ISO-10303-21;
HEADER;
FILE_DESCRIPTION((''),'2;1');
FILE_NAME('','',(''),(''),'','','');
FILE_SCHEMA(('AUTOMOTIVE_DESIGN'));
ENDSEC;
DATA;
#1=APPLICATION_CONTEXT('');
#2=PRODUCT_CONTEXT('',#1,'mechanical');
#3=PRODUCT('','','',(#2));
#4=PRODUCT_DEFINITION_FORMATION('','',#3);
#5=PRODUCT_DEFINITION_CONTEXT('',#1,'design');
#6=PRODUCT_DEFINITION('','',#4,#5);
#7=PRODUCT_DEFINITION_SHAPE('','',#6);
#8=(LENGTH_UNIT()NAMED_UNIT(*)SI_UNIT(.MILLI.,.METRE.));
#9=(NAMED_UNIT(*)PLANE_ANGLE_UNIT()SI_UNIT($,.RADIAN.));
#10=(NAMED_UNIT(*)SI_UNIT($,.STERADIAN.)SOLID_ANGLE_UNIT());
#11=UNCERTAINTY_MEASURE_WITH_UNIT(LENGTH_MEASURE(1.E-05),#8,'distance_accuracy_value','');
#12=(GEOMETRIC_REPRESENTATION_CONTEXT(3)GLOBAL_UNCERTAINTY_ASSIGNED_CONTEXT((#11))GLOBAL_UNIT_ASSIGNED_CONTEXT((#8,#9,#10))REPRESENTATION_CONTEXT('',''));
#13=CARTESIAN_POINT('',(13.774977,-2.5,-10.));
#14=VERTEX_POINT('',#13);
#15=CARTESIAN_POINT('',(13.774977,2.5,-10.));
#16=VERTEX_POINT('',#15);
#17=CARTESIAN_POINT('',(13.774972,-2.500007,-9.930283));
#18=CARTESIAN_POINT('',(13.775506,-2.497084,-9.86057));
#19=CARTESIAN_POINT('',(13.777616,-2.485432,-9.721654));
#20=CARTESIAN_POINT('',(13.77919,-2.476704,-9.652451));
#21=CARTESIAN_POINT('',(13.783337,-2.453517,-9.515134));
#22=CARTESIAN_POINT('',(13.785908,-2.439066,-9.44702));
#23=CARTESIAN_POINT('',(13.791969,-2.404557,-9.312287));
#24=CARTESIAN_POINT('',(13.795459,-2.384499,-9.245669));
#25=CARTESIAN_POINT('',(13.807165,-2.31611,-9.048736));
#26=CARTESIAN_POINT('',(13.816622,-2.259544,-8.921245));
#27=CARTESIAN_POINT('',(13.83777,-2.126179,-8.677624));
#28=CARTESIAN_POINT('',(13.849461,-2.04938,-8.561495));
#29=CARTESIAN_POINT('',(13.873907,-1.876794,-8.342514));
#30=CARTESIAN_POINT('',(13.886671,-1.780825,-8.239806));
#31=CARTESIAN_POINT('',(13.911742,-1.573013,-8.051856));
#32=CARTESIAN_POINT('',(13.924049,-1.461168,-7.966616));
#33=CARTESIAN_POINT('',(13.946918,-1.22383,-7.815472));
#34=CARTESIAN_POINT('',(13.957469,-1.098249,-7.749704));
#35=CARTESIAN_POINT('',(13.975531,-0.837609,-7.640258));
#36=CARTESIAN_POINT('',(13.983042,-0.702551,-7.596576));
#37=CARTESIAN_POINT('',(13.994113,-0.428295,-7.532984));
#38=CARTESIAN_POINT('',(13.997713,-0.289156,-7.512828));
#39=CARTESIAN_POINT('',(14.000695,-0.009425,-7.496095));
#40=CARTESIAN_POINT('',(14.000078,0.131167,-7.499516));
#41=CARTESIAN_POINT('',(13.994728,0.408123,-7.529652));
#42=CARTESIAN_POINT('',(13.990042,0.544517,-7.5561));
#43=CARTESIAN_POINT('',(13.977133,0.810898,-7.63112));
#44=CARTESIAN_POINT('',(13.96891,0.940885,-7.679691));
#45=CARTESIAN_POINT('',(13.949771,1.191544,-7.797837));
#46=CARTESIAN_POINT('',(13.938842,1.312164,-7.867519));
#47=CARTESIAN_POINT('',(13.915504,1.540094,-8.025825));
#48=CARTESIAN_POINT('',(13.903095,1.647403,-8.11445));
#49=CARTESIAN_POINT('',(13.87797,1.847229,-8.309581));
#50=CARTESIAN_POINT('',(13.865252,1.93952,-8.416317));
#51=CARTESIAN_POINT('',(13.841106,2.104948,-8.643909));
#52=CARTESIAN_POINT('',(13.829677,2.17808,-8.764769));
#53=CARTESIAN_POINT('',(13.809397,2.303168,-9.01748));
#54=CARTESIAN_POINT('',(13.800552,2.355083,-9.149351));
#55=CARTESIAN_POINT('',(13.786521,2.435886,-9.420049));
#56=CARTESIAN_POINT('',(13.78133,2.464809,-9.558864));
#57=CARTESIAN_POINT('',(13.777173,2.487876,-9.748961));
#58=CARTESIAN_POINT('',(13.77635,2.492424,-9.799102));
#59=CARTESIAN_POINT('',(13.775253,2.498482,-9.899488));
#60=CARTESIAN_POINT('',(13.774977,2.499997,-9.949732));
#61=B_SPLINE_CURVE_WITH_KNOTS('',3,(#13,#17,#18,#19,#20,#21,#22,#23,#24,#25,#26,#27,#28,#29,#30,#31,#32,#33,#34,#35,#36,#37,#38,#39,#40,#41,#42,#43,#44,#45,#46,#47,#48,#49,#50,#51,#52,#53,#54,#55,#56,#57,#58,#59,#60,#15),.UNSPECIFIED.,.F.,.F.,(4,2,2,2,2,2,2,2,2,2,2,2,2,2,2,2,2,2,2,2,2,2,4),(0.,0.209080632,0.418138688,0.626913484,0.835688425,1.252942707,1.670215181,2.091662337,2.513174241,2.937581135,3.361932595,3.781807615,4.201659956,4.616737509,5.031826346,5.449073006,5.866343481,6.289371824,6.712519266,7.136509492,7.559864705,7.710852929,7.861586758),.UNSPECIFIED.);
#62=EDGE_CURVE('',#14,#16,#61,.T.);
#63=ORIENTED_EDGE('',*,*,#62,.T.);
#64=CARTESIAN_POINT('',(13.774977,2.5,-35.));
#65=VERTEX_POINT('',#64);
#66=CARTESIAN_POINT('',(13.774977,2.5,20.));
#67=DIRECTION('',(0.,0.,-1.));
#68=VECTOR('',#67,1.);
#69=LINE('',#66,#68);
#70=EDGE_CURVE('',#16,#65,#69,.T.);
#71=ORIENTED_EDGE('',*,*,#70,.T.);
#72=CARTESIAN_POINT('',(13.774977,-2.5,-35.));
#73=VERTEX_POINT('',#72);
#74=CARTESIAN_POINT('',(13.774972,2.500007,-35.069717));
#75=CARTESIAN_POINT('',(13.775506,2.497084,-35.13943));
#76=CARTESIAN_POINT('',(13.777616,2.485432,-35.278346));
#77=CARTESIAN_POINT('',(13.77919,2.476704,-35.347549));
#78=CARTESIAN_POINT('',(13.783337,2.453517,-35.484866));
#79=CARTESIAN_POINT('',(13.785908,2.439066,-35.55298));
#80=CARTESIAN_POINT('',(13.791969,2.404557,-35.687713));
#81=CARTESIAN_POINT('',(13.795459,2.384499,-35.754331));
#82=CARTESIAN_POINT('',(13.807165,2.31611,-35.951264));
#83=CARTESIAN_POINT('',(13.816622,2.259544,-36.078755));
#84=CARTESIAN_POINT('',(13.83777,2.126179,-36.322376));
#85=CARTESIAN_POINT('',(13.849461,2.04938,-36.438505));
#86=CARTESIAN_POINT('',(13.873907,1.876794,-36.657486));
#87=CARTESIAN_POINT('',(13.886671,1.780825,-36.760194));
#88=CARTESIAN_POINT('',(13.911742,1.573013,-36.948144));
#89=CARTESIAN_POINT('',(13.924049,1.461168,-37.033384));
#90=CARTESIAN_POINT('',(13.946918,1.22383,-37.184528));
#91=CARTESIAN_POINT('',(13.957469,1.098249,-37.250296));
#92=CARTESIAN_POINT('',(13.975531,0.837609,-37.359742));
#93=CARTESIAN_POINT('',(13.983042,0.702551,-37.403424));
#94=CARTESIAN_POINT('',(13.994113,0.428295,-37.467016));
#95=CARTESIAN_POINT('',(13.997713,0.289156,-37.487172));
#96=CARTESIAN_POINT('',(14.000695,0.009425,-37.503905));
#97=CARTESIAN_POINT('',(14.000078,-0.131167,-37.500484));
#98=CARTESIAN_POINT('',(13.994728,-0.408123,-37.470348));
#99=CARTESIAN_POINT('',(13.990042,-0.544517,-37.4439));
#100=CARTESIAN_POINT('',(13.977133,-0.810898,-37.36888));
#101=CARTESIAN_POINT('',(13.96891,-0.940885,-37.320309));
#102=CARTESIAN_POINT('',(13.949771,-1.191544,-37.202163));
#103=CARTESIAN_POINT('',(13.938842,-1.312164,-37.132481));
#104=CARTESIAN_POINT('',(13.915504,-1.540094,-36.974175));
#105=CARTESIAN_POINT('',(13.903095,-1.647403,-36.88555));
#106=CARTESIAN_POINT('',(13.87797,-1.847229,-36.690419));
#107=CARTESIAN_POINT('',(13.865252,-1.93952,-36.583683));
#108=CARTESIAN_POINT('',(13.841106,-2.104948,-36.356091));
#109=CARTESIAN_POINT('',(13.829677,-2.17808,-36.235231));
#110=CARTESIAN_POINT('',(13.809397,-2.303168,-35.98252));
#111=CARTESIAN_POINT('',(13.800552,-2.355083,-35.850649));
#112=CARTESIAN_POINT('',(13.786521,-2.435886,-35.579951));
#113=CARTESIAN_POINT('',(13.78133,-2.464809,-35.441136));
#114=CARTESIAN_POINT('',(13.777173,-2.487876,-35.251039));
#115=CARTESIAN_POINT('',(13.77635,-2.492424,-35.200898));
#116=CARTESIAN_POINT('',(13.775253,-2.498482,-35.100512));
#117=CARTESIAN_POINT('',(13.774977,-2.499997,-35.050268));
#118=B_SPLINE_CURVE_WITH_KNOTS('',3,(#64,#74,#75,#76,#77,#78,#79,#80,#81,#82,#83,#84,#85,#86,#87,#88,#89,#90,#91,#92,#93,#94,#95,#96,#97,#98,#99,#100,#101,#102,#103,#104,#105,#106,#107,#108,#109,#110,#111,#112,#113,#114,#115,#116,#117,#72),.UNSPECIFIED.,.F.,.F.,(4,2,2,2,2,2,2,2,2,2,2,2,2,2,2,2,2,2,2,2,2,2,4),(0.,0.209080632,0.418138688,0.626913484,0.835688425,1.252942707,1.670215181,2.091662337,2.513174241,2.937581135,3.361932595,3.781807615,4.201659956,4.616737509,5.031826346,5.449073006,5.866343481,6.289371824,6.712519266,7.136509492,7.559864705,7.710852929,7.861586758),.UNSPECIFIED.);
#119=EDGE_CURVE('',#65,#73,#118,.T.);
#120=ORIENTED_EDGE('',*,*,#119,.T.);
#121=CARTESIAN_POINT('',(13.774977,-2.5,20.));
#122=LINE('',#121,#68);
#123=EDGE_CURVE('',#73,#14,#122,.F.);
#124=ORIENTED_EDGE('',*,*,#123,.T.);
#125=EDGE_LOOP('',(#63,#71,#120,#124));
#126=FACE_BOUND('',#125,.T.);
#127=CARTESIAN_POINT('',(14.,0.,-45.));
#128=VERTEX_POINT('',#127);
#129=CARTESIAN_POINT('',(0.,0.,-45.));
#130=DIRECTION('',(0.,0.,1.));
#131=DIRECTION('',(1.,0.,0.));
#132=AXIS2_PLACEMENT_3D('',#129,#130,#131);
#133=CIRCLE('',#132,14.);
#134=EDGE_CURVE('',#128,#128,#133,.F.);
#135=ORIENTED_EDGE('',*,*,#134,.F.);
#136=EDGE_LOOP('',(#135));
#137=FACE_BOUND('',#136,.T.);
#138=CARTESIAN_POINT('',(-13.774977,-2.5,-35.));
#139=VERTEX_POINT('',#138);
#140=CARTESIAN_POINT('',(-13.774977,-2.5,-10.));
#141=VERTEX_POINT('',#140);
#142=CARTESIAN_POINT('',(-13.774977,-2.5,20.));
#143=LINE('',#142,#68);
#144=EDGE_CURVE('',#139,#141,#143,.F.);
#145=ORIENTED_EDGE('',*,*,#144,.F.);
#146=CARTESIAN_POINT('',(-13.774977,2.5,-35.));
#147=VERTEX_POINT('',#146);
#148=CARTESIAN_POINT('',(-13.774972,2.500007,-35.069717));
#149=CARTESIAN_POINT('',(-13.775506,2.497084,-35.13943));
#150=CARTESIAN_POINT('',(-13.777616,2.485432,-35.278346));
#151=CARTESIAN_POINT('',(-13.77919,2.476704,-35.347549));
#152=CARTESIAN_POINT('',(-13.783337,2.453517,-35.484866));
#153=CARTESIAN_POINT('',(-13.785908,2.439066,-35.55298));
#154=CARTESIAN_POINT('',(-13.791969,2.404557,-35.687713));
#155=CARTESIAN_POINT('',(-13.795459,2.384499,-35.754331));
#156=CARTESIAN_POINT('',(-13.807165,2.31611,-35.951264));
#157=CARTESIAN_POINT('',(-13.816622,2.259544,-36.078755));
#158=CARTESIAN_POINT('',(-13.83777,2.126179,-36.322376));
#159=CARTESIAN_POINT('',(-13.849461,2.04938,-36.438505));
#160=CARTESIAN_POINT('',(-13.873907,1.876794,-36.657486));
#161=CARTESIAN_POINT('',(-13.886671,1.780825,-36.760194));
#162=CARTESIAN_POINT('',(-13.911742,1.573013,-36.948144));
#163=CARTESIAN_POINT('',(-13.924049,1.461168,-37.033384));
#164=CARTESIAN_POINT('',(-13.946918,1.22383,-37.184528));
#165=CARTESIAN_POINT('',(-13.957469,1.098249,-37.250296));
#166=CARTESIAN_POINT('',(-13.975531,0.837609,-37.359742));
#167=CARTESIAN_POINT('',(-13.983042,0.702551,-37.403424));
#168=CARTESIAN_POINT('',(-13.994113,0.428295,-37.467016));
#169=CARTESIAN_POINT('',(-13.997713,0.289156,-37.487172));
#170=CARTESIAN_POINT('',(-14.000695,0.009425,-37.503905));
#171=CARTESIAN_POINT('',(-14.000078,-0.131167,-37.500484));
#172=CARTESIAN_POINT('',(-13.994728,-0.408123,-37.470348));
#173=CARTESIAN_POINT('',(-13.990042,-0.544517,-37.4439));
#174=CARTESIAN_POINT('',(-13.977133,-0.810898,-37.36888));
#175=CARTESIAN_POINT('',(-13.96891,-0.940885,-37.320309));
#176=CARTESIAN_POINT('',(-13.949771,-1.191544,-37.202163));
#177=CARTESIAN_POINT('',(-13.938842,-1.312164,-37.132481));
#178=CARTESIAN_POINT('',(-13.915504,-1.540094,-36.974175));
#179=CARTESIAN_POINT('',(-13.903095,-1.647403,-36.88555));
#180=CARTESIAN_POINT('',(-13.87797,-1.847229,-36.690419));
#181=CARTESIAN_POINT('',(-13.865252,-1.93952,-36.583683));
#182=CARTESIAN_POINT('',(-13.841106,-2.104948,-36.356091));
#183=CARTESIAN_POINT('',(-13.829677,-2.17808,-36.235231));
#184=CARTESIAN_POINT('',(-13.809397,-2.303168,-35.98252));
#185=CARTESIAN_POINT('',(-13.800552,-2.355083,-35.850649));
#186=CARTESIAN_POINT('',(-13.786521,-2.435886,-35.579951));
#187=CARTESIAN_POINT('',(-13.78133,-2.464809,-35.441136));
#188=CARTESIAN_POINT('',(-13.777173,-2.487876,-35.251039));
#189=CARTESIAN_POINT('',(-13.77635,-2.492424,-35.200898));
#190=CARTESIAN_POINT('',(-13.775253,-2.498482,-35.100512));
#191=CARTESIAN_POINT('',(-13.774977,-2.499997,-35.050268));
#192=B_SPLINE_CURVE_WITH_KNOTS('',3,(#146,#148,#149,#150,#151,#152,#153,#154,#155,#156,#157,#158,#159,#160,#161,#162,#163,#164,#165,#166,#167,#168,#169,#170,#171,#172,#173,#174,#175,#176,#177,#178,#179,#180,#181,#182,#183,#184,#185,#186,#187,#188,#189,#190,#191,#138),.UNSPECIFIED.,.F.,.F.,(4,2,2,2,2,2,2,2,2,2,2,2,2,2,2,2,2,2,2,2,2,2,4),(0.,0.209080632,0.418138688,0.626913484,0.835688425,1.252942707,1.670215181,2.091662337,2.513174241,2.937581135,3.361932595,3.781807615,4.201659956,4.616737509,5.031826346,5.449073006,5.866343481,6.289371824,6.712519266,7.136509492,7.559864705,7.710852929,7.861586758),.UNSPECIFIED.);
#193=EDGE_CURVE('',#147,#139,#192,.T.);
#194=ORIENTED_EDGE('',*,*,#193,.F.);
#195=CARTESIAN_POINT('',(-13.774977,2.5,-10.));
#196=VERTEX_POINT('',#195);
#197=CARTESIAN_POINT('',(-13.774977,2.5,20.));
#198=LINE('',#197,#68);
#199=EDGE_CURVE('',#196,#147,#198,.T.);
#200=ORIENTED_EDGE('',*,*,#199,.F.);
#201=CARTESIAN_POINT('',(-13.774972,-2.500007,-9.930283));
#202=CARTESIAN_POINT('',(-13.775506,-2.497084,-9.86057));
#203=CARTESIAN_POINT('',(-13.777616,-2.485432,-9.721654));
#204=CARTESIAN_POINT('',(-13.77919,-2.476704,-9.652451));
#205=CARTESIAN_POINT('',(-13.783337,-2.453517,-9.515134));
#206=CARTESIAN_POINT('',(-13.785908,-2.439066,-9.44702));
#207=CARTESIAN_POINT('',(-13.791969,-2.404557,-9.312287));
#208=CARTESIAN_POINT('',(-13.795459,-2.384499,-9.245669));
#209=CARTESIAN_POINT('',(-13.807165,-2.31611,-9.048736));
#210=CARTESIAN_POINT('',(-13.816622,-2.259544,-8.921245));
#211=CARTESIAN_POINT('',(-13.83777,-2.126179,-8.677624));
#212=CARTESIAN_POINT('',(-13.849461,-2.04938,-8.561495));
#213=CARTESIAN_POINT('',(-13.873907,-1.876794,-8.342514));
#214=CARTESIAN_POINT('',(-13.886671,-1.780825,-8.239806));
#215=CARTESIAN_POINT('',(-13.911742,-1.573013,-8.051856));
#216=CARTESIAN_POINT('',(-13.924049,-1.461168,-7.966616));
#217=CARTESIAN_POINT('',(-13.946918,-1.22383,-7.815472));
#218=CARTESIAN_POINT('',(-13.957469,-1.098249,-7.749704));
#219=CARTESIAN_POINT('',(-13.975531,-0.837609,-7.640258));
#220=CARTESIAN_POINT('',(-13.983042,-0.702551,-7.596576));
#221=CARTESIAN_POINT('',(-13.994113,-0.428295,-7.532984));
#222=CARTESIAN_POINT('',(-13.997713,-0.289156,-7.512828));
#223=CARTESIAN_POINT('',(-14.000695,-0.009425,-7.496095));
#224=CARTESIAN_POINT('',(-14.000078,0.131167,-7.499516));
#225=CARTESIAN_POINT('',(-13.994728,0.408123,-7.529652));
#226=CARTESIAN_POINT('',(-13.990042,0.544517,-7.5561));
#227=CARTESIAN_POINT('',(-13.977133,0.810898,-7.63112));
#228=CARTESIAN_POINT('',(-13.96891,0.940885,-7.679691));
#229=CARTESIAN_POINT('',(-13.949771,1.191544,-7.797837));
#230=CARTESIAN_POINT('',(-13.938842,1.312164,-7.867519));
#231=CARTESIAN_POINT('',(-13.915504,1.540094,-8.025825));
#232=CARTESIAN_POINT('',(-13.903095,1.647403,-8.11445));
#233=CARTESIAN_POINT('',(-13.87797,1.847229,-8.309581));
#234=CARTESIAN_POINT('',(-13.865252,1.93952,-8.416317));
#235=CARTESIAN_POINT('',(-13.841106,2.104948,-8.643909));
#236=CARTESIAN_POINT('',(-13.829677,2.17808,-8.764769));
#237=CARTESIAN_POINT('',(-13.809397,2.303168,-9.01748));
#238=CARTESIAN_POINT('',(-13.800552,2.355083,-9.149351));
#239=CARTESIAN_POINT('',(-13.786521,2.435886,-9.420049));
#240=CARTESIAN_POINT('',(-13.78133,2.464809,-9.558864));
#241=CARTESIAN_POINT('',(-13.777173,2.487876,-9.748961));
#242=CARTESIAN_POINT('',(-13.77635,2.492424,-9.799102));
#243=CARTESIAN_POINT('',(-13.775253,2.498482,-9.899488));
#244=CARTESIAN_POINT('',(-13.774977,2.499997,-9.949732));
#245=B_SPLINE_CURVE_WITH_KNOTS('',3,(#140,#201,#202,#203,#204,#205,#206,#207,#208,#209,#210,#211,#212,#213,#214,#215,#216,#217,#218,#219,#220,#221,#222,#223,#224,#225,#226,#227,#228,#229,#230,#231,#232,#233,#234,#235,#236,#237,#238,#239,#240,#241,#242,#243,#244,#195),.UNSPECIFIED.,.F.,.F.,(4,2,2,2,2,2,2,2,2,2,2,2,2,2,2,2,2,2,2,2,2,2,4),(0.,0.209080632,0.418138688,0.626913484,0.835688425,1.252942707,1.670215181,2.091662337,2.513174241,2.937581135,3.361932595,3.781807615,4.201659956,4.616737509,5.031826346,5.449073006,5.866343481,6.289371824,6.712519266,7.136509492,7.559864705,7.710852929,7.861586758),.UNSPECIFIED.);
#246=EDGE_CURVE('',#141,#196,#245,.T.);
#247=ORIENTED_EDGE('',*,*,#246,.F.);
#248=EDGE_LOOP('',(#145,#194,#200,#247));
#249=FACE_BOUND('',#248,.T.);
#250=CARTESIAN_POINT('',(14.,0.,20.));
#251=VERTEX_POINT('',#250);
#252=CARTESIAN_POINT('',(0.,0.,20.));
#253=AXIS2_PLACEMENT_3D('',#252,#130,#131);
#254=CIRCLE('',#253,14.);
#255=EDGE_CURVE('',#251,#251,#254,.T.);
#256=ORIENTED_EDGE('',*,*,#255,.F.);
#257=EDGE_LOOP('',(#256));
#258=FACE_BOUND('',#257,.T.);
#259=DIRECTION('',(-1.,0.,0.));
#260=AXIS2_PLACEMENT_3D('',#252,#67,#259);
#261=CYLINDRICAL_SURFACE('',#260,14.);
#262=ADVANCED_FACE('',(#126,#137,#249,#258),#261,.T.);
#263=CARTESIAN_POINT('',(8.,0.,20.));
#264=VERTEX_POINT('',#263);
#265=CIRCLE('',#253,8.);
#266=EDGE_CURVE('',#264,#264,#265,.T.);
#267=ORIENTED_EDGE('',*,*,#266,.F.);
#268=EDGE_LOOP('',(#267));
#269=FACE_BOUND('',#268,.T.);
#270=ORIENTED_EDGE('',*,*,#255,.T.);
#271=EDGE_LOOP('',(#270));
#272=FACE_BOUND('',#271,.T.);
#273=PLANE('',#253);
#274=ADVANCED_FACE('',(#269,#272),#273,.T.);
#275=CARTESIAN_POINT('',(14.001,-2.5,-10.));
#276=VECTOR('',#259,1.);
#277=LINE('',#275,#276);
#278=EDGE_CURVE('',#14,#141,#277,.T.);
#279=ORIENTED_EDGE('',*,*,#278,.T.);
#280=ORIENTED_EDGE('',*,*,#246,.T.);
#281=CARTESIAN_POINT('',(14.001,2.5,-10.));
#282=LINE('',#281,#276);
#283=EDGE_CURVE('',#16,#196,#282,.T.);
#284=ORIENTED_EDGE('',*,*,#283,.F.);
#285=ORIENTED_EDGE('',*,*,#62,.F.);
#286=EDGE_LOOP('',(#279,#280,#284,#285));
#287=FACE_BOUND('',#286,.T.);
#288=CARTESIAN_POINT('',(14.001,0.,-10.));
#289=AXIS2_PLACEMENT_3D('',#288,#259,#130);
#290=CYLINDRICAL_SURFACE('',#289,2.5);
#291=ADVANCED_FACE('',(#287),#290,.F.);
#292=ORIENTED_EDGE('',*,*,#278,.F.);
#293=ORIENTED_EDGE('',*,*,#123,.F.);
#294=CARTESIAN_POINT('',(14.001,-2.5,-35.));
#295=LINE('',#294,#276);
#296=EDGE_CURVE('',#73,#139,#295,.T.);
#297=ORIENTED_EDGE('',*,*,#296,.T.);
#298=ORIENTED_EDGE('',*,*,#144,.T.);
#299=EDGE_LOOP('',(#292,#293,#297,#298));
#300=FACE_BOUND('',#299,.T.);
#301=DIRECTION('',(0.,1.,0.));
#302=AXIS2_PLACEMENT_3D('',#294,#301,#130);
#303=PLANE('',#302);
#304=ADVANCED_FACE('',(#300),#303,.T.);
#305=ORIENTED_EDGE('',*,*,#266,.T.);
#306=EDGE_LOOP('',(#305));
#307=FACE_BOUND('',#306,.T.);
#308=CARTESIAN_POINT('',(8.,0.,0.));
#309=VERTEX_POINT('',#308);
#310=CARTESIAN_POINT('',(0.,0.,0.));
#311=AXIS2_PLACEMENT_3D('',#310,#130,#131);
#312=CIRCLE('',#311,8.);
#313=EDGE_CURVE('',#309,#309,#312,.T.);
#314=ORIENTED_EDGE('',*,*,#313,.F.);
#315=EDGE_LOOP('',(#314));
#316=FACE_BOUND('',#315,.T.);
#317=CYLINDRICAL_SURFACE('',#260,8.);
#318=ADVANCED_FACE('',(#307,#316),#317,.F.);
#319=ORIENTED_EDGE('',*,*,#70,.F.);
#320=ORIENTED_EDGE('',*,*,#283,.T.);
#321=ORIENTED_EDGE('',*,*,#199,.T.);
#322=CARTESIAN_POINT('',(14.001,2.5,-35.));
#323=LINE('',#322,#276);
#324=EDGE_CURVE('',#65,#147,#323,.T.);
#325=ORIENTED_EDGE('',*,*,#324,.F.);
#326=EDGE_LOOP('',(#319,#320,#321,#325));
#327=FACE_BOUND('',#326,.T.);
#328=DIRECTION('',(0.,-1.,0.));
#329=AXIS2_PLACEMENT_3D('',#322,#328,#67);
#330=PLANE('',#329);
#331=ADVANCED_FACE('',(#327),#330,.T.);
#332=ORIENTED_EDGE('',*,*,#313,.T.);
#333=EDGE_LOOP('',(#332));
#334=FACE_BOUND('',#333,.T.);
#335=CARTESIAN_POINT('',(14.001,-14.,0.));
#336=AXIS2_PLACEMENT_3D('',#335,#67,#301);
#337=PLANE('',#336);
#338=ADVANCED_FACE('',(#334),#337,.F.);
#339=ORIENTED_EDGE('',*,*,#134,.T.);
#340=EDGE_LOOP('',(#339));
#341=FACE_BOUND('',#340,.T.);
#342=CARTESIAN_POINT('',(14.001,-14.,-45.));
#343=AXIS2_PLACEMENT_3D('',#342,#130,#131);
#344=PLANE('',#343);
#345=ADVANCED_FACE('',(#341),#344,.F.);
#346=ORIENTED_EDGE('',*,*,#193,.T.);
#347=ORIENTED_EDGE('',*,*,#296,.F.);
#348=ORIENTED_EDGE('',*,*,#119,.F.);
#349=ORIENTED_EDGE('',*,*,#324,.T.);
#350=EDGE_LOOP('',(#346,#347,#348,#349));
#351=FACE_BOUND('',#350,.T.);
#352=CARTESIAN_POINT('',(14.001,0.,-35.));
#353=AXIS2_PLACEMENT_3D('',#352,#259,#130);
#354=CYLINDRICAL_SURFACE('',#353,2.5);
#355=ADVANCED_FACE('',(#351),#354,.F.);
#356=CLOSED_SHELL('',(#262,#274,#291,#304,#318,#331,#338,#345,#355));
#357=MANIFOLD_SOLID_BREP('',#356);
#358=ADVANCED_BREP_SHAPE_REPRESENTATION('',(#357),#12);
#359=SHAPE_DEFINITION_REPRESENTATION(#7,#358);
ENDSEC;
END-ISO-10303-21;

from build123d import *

# Parameters (mm, degrees)
SCHIZZO1_R                                    = 14
SCHIZZO1_R_2                                  = 8
ESTRUSIONE_ESTRUSIONE1_DEPTH                  = 20
ESTRUSIONE_ESTRUSIONE2_REACH                  = 30.142
ESTRUSIONE_ESTRUSIONE2_END_RADIUS             = 14
SCHIZZO2_W                                    = 45
SCHIZZO2_H                                    = 28
ESTRUSIONE_ESTRUSIONE2_DIRECTION_2_REACH      = 30.142
ESTRUSIONE_ESTRUSIONE2_DIRECTION_2_END_RADIUS = 14


with BuildPart() as part:
    # Schizzo1 → Estrusione-Estrusione1 (new body)
    with BuildSketch(Plane.XY):
        Circle(SCHIZZO1_R)
        Circle(SCHIZZO1_R_2, mode=Mode.SUBTRACT)
    extrude(amount=ESTRUSIONE_ESTRUSIONE1_DEPTH)

    # Estrusione-Estrusione2: up to this cylinder (the profile starts inside it)
    estrusione_estrusione2_end = Plane(origin=(0, 0, -22.5), z_dir=(0, 0, -1)) * Cylinder(ESTRUSIONE_ESTRUSIONE2_END_RADIUS, 89.284, mode=Mode.PRIVATE)
    # Schizzo2 → Estrusione-Estrusione2 (add, up to the surface)
    with BuildSketch(Plane(origin=(0, 0, 0), x_dir=(0, 0, -1), z_dir=(1, 0, 0)), mode=Mode.PRIVATE) as estrusione_estrusione2_sk1:
        with Locations((22.5, 0)):
            Rectangle(SCHIZZO2_W, SCHIZZO2_H)
        with BuildLine():
            Line((35, -2.5), (10, -2.5))
            ThreePointArc((10, -2.5), (7.5, 0), (10, 2.5))
            Line((10, 2.5), (35, 2.5))
            ThreePointArc((35, 2.5), (37.5, 0), (35, -2.5))
        make_face(mode=Mode.SUBTRACT)
    estrusione_estrusione2_tool1 = extrude(estrusione_estrusione2_sk1.sketch, amount=ESTRUSIONE_ESTRUSIONE2_REACH, mode=Mode.PRIVATE) & estrusione_estrusione2_end
    add(estrusione_estrusione2_tool1.solids().sort_by_distance((0, -13.47, -22.5))[0])

    # Estrusione-Estrusione2 direction 2: up to this cylinder (the profile starts inside it)
    estrusione_estrusione2_direction_2_end = Plane(origin=(0, 0, -22.5), z_dir=(0, 0, -1)) * Cylinder(ESTRUSIONE_ESTRUSIONE2_DIRECTION_2_END_RADIUS, 89.284, mode=Mode.PRIVATE)
    # Schizzo2 → Estrusione-Estrusione2 direction 2 (add, up to the surface)
    with BuildSketch(Plane(origin=(0, 0, 0), x_dir=(0, 0, -1), z_dir=(1, 0, 0)), mode=Mode.PRIVATE) as estrusione_estrusione2_direction_2_sk1:
        with Locations((22.5, 0)):
            Rectangle(SCHIZZO2_W, SCHIZZO2_H)
        with BuildLine():
            Line((35, -2.5), (10, -2.5))
            ThreePointArc((10, -2.5), (7.5, 0), (10, 2.5))
            Line((10, 2.5), (35, 2.5))
            ThreePointArc((35, 2.5), (37.5, 0), (35, -2.5))
        make_face(mode=Mode.SUBTRACT)
    estrusione_estrusione2_direction_2_tool1 = extrude(estrusione_estrusione2_direction_2_sk1.sketch, amount=-ESTRUSIONE_ESTRUSIONE2_DIRECTION_2_REACH, mode=Mode.PRIVATE) & estrusione_estrusione2_direction_2_end
    add(estrusione_estrusione2_direction_2_tool1.solids().sort_by_distance((0, -13.47, -22.5))[0])


solid = part.part
